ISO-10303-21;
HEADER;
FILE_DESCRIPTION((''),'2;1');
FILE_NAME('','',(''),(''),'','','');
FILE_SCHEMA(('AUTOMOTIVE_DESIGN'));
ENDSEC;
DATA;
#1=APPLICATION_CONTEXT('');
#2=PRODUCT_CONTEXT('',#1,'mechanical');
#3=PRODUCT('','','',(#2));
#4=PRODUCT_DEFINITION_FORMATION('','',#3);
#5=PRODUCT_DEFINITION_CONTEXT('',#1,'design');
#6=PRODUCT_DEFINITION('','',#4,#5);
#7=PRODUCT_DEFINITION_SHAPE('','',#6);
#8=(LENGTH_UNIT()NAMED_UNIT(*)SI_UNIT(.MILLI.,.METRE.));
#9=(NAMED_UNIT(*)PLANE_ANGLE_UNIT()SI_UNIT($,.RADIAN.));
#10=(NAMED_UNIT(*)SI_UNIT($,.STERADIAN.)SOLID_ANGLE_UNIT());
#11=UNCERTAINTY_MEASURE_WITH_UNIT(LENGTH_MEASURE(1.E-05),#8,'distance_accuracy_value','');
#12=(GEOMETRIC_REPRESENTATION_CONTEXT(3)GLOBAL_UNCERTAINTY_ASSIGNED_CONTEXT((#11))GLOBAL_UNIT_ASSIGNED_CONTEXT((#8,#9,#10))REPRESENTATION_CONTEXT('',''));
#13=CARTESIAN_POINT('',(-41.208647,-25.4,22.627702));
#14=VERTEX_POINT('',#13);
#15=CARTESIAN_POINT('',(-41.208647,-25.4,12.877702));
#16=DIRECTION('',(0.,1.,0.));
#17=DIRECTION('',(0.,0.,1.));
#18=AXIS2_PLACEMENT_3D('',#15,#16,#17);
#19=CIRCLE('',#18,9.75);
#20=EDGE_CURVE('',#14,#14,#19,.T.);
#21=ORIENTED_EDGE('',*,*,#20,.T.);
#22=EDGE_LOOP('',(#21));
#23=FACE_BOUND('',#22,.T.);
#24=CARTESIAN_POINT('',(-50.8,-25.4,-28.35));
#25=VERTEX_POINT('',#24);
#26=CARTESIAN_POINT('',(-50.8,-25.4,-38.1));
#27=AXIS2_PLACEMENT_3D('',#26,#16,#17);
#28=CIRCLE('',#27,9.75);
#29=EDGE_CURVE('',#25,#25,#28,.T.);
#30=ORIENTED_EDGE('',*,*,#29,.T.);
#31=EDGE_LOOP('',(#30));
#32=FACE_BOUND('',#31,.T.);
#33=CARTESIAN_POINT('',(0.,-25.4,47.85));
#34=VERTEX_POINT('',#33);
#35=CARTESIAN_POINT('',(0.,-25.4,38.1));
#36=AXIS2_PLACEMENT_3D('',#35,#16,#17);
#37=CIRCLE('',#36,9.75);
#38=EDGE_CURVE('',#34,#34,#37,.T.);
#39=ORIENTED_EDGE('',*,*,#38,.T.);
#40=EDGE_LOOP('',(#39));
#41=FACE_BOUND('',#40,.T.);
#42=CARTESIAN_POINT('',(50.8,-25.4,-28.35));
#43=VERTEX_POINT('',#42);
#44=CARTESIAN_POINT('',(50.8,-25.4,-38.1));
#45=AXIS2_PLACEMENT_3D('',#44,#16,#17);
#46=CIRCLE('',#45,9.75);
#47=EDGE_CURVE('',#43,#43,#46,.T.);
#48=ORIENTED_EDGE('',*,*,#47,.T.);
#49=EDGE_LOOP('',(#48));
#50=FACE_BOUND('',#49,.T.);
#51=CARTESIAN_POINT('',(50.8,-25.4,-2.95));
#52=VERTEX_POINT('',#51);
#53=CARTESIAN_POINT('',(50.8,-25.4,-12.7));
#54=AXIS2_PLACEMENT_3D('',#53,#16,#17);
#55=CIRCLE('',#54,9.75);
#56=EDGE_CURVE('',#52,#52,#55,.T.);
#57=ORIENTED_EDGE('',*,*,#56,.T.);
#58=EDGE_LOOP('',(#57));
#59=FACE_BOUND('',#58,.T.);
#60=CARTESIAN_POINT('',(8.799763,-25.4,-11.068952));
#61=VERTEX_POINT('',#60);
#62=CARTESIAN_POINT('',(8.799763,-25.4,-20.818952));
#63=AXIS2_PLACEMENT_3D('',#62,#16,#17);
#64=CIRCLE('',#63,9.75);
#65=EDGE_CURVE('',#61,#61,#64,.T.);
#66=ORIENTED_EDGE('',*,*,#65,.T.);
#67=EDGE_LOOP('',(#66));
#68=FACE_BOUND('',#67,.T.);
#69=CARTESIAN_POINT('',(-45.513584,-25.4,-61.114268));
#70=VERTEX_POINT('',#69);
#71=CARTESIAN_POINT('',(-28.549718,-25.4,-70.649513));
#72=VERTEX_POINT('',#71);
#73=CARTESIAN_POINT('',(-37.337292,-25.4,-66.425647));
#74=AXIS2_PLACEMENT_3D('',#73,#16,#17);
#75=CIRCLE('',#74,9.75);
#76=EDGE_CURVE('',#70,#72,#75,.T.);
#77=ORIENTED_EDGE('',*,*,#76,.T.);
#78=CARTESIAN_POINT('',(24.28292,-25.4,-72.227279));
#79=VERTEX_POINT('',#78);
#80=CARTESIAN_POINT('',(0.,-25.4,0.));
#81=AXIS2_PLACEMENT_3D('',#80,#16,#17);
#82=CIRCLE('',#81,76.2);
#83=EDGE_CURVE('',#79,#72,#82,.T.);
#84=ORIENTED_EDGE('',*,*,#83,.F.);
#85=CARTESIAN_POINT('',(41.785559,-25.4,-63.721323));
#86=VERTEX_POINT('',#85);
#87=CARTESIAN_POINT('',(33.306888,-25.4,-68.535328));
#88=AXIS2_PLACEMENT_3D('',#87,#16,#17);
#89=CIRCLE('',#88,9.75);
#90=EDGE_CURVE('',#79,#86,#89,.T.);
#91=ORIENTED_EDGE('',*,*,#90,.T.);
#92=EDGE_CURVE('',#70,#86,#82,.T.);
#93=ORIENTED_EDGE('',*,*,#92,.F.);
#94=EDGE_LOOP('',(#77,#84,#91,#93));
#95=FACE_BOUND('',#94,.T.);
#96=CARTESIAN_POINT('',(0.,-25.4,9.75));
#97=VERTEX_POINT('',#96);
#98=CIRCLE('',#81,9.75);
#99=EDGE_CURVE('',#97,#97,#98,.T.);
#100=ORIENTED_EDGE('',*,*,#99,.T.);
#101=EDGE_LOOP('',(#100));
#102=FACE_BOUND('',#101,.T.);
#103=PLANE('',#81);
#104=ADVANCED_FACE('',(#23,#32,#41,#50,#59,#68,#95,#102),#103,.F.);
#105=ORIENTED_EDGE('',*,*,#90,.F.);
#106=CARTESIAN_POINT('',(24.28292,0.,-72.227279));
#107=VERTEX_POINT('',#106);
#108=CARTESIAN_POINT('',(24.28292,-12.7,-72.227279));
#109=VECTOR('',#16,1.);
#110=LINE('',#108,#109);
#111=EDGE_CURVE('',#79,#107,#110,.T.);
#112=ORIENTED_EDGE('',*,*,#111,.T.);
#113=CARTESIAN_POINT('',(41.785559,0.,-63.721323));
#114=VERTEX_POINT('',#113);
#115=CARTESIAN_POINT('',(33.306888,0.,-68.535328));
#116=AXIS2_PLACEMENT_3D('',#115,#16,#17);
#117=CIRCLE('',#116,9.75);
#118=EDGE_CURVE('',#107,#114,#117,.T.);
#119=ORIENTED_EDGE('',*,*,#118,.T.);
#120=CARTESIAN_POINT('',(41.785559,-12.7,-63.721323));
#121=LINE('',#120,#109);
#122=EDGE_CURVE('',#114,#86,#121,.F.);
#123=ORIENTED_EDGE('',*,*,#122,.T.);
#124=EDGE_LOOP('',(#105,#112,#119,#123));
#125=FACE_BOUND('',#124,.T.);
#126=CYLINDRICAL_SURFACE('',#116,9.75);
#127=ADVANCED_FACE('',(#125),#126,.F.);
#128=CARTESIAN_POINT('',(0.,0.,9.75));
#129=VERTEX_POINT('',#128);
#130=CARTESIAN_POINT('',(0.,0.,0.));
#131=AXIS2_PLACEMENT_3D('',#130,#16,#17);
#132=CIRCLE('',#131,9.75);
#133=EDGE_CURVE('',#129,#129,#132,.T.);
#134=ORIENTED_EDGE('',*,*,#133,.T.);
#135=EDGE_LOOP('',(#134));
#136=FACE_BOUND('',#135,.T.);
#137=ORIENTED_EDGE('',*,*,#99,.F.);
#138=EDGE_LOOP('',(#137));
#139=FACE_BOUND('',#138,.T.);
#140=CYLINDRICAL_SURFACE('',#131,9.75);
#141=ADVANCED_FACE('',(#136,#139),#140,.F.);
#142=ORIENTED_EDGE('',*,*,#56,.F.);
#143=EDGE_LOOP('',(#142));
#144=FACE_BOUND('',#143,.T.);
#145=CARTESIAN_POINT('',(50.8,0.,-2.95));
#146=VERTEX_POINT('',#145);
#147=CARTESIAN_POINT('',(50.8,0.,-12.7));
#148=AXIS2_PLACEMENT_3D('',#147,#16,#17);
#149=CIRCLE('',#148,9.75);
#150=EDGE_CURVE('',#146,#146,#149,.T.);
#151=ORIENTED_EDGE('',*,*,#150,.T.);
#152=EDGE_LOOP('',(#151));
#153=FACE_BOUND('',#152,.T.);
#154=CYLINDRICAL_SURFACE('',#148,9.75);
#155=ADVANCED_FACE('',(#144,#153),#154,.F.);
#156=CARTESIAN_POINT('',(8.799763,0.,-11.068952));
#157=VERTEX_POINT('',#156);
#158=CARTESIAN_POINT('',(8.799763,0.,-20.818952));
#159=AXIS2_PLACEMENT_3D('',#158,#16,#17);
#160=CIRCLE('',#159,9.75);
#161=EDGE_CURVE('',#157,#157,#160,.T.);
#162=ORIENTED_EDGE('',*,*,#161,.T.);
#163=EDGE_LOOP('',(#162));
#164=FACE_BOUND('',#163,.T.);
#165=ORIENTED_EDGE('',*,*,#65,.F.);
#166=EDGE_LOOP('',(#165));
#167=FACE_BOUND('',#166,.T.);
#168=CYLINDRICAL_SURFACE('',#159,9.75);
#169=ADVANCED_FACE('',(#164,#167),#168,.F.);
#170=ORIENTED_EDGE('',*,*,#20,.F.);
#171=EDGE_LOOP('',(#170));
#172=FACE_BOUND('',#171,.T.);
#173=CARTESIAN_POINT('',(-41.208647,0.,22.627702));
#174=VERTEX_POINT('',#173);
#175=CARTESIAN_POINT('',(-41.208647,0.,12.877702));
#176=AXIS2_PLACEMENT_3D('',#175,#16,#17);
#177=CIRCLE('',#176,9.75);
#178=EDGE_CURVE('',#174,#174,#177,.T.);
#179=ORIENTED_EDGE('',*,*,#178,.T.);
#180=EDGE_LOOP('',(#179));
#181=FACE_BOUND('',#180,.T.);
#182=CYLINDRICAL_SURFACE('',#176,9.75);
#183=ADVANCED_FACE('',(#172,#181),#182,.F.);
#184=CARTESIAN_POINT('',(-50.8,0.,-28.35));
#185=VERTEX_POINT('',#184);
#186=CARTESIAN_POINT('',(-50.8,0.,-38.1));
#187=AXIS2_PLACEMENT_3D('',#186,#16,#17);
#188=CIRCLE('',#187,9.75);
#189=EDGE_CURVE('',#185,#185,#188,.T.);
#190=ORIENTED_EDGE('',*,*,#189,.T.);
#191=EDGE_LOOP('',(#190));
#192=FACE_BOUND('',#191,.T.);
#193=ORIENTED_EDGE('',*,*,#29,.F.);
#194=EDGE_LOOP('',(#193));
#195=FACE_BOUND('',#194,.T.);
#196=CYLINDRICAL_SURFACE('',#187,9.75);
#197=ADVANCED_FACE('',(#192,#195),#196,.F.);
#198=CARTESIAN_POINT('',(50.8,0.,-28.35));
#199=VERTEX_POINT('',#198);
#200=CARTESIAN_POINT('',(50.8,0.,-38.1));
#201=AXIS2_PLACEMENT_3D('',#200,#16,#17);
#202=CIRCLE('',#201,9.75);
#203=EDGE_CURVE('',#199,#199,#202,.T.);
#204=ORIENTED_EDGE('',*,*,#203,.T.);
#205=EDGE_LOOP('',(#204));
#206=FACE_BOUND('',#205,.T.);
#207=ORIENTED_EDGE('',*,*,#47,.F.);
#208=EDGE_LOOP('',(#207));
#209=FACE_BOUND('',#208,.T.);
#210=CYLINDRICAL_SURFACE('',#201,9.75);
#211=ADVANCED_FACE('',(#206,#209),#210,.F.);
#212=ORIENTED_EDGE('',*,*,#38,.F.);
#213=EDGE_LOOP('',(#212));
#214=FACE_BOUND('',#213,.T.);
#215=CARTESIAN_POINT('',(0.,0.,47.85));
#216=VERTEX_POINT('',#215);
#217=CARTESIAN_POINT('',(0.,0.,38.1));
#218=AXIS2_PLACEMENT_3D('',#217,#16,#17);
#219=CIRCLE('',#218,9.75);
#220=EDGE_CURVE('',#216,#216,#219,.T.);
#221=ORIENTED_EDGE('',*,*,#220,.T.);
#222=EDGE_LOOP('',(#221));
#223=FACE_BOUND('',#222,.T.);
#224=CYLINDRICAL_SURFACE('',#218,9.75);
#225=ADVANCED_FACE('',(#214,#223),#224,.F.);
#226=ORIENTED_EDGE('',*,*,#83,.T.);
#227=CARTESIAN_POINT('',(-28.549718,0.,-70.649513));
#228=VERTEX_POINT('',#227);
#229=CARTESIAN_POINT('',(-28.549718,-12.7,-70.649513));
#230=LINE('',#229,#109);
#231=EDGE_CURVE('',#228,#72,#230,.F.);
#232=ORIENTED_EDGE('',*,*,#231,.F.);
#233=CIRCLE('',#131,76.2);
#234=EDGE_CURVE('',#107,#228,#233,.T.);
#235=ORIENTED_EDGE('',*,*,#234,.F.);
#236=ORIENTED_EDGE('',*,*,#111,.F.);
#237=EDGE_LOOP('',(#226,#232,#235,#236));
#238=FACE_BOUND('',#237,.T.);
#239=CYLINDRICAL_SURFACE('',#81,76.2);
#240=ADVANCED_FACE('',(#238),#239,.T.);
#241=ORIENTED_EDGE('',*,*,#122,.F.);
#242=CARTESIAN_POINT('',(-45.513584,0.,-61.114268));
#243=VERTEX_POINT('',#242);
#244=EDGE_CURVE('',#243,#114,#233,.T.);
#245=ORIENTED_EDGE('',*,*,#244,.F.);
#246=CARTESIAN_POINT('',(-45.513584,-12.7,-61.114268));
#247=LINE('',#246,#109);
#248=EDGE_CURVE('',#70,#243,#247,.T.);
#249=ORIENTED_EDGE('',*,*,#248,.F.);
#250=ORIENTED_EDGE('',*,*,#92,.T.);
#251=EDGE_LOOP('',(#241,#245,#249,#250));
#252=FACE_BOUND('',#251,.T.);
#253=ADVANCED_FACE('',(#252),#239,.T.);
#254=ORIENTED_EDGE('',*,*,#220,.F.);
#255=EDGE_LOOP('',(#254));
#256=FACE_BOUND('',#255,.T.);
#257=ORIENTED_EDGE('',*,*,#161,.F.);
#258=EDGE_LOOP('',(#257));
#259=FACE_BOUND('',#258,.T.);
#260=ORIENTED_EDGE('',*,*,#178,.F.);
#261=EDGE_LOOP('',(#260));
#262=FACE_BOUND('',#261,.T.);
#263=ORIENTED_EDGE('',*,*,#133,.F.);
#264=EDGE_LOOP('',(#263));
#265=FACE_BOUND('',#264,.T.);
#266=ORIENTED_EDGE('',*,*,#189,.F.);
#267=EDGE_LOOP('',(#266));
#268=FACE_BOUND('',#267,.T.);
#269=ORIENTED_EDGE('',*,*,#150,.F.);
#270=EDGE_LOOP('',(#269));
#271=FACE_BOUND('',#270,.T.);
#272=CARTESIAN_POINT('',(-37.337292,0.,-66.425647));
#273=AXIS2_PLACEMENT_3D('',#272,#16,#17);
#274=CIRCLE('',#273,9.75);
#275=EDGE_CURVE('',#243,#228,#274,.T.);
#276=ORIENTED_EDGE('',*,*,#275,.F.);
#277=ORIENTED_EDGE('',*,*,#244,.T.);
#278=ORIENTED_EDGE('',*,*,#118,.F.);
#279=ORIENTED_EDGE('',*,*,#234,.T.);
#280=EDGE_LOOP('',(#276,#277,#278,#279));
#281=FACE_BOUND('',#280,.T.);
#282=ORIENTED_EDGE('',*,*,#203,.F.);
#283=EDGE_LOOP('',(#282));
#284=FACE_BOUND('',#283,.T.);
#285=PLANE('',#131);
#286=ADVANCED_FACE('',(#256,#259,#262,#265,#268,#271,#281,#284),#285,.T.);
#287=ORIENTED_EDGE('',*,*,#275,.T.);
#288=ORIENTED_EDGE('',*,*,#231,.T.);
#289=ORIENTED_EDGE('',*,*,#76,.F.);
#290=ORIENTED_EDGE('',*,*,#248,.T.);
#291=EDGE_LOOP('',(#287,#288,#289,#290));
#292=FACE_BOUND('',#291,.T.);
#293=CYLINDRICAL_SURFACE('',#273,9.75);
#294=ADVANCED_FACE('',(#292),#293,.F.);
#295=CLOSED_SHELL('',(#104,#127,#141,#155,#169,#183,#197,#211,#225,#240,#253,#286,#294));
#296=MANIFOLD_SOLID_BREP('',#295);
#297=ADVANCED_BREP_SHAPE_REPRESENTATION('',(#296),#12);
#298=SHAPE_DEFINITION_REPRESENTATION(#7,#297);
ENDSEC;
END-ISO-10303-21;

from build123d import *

# Parameters (mm, degrees)
SKETCH1_R              = 76.2
BOSS_EXTRUDE1_DEPTH    = 25.4
M22X2_5_TAPPED_HOLE1_D = 19.5


with BuildPart() as part:
    # Sketch1 → Boss-Extrude1 (new body)
    with BuildSketch(Plane(origin=(0, 0, 0), x_dir=(1, 0, 0), z_dir=(0, 1, 0))):
        with Locations(Location((0, 0, 0), (0, 0, 270))):
            Circle(SKETCH1_R)
    extrude(amount=-BOSS_EXTRUDE1_DEPTH)

    # M22x2.5 Tapped Hole1 (through all)
    with Locations(Plane(origin=(0, 0, 0), x_dir=(1, 0, 0), z_dir=(0, 1, 0))):
        with Locations((50.8, 12.7), (0, -38.1), (0, 0), (-50.8, 38.1), (50.8, 38.1), (-37.337291981, 66.425647362), (33.306888382, 68.535328016), (8.79976324, 20.818952057), (-41.20864737, -12.877702303)):
            Hole(M22X2_5_TAPPED_HOLE1_D / 2)


solid = part.part
